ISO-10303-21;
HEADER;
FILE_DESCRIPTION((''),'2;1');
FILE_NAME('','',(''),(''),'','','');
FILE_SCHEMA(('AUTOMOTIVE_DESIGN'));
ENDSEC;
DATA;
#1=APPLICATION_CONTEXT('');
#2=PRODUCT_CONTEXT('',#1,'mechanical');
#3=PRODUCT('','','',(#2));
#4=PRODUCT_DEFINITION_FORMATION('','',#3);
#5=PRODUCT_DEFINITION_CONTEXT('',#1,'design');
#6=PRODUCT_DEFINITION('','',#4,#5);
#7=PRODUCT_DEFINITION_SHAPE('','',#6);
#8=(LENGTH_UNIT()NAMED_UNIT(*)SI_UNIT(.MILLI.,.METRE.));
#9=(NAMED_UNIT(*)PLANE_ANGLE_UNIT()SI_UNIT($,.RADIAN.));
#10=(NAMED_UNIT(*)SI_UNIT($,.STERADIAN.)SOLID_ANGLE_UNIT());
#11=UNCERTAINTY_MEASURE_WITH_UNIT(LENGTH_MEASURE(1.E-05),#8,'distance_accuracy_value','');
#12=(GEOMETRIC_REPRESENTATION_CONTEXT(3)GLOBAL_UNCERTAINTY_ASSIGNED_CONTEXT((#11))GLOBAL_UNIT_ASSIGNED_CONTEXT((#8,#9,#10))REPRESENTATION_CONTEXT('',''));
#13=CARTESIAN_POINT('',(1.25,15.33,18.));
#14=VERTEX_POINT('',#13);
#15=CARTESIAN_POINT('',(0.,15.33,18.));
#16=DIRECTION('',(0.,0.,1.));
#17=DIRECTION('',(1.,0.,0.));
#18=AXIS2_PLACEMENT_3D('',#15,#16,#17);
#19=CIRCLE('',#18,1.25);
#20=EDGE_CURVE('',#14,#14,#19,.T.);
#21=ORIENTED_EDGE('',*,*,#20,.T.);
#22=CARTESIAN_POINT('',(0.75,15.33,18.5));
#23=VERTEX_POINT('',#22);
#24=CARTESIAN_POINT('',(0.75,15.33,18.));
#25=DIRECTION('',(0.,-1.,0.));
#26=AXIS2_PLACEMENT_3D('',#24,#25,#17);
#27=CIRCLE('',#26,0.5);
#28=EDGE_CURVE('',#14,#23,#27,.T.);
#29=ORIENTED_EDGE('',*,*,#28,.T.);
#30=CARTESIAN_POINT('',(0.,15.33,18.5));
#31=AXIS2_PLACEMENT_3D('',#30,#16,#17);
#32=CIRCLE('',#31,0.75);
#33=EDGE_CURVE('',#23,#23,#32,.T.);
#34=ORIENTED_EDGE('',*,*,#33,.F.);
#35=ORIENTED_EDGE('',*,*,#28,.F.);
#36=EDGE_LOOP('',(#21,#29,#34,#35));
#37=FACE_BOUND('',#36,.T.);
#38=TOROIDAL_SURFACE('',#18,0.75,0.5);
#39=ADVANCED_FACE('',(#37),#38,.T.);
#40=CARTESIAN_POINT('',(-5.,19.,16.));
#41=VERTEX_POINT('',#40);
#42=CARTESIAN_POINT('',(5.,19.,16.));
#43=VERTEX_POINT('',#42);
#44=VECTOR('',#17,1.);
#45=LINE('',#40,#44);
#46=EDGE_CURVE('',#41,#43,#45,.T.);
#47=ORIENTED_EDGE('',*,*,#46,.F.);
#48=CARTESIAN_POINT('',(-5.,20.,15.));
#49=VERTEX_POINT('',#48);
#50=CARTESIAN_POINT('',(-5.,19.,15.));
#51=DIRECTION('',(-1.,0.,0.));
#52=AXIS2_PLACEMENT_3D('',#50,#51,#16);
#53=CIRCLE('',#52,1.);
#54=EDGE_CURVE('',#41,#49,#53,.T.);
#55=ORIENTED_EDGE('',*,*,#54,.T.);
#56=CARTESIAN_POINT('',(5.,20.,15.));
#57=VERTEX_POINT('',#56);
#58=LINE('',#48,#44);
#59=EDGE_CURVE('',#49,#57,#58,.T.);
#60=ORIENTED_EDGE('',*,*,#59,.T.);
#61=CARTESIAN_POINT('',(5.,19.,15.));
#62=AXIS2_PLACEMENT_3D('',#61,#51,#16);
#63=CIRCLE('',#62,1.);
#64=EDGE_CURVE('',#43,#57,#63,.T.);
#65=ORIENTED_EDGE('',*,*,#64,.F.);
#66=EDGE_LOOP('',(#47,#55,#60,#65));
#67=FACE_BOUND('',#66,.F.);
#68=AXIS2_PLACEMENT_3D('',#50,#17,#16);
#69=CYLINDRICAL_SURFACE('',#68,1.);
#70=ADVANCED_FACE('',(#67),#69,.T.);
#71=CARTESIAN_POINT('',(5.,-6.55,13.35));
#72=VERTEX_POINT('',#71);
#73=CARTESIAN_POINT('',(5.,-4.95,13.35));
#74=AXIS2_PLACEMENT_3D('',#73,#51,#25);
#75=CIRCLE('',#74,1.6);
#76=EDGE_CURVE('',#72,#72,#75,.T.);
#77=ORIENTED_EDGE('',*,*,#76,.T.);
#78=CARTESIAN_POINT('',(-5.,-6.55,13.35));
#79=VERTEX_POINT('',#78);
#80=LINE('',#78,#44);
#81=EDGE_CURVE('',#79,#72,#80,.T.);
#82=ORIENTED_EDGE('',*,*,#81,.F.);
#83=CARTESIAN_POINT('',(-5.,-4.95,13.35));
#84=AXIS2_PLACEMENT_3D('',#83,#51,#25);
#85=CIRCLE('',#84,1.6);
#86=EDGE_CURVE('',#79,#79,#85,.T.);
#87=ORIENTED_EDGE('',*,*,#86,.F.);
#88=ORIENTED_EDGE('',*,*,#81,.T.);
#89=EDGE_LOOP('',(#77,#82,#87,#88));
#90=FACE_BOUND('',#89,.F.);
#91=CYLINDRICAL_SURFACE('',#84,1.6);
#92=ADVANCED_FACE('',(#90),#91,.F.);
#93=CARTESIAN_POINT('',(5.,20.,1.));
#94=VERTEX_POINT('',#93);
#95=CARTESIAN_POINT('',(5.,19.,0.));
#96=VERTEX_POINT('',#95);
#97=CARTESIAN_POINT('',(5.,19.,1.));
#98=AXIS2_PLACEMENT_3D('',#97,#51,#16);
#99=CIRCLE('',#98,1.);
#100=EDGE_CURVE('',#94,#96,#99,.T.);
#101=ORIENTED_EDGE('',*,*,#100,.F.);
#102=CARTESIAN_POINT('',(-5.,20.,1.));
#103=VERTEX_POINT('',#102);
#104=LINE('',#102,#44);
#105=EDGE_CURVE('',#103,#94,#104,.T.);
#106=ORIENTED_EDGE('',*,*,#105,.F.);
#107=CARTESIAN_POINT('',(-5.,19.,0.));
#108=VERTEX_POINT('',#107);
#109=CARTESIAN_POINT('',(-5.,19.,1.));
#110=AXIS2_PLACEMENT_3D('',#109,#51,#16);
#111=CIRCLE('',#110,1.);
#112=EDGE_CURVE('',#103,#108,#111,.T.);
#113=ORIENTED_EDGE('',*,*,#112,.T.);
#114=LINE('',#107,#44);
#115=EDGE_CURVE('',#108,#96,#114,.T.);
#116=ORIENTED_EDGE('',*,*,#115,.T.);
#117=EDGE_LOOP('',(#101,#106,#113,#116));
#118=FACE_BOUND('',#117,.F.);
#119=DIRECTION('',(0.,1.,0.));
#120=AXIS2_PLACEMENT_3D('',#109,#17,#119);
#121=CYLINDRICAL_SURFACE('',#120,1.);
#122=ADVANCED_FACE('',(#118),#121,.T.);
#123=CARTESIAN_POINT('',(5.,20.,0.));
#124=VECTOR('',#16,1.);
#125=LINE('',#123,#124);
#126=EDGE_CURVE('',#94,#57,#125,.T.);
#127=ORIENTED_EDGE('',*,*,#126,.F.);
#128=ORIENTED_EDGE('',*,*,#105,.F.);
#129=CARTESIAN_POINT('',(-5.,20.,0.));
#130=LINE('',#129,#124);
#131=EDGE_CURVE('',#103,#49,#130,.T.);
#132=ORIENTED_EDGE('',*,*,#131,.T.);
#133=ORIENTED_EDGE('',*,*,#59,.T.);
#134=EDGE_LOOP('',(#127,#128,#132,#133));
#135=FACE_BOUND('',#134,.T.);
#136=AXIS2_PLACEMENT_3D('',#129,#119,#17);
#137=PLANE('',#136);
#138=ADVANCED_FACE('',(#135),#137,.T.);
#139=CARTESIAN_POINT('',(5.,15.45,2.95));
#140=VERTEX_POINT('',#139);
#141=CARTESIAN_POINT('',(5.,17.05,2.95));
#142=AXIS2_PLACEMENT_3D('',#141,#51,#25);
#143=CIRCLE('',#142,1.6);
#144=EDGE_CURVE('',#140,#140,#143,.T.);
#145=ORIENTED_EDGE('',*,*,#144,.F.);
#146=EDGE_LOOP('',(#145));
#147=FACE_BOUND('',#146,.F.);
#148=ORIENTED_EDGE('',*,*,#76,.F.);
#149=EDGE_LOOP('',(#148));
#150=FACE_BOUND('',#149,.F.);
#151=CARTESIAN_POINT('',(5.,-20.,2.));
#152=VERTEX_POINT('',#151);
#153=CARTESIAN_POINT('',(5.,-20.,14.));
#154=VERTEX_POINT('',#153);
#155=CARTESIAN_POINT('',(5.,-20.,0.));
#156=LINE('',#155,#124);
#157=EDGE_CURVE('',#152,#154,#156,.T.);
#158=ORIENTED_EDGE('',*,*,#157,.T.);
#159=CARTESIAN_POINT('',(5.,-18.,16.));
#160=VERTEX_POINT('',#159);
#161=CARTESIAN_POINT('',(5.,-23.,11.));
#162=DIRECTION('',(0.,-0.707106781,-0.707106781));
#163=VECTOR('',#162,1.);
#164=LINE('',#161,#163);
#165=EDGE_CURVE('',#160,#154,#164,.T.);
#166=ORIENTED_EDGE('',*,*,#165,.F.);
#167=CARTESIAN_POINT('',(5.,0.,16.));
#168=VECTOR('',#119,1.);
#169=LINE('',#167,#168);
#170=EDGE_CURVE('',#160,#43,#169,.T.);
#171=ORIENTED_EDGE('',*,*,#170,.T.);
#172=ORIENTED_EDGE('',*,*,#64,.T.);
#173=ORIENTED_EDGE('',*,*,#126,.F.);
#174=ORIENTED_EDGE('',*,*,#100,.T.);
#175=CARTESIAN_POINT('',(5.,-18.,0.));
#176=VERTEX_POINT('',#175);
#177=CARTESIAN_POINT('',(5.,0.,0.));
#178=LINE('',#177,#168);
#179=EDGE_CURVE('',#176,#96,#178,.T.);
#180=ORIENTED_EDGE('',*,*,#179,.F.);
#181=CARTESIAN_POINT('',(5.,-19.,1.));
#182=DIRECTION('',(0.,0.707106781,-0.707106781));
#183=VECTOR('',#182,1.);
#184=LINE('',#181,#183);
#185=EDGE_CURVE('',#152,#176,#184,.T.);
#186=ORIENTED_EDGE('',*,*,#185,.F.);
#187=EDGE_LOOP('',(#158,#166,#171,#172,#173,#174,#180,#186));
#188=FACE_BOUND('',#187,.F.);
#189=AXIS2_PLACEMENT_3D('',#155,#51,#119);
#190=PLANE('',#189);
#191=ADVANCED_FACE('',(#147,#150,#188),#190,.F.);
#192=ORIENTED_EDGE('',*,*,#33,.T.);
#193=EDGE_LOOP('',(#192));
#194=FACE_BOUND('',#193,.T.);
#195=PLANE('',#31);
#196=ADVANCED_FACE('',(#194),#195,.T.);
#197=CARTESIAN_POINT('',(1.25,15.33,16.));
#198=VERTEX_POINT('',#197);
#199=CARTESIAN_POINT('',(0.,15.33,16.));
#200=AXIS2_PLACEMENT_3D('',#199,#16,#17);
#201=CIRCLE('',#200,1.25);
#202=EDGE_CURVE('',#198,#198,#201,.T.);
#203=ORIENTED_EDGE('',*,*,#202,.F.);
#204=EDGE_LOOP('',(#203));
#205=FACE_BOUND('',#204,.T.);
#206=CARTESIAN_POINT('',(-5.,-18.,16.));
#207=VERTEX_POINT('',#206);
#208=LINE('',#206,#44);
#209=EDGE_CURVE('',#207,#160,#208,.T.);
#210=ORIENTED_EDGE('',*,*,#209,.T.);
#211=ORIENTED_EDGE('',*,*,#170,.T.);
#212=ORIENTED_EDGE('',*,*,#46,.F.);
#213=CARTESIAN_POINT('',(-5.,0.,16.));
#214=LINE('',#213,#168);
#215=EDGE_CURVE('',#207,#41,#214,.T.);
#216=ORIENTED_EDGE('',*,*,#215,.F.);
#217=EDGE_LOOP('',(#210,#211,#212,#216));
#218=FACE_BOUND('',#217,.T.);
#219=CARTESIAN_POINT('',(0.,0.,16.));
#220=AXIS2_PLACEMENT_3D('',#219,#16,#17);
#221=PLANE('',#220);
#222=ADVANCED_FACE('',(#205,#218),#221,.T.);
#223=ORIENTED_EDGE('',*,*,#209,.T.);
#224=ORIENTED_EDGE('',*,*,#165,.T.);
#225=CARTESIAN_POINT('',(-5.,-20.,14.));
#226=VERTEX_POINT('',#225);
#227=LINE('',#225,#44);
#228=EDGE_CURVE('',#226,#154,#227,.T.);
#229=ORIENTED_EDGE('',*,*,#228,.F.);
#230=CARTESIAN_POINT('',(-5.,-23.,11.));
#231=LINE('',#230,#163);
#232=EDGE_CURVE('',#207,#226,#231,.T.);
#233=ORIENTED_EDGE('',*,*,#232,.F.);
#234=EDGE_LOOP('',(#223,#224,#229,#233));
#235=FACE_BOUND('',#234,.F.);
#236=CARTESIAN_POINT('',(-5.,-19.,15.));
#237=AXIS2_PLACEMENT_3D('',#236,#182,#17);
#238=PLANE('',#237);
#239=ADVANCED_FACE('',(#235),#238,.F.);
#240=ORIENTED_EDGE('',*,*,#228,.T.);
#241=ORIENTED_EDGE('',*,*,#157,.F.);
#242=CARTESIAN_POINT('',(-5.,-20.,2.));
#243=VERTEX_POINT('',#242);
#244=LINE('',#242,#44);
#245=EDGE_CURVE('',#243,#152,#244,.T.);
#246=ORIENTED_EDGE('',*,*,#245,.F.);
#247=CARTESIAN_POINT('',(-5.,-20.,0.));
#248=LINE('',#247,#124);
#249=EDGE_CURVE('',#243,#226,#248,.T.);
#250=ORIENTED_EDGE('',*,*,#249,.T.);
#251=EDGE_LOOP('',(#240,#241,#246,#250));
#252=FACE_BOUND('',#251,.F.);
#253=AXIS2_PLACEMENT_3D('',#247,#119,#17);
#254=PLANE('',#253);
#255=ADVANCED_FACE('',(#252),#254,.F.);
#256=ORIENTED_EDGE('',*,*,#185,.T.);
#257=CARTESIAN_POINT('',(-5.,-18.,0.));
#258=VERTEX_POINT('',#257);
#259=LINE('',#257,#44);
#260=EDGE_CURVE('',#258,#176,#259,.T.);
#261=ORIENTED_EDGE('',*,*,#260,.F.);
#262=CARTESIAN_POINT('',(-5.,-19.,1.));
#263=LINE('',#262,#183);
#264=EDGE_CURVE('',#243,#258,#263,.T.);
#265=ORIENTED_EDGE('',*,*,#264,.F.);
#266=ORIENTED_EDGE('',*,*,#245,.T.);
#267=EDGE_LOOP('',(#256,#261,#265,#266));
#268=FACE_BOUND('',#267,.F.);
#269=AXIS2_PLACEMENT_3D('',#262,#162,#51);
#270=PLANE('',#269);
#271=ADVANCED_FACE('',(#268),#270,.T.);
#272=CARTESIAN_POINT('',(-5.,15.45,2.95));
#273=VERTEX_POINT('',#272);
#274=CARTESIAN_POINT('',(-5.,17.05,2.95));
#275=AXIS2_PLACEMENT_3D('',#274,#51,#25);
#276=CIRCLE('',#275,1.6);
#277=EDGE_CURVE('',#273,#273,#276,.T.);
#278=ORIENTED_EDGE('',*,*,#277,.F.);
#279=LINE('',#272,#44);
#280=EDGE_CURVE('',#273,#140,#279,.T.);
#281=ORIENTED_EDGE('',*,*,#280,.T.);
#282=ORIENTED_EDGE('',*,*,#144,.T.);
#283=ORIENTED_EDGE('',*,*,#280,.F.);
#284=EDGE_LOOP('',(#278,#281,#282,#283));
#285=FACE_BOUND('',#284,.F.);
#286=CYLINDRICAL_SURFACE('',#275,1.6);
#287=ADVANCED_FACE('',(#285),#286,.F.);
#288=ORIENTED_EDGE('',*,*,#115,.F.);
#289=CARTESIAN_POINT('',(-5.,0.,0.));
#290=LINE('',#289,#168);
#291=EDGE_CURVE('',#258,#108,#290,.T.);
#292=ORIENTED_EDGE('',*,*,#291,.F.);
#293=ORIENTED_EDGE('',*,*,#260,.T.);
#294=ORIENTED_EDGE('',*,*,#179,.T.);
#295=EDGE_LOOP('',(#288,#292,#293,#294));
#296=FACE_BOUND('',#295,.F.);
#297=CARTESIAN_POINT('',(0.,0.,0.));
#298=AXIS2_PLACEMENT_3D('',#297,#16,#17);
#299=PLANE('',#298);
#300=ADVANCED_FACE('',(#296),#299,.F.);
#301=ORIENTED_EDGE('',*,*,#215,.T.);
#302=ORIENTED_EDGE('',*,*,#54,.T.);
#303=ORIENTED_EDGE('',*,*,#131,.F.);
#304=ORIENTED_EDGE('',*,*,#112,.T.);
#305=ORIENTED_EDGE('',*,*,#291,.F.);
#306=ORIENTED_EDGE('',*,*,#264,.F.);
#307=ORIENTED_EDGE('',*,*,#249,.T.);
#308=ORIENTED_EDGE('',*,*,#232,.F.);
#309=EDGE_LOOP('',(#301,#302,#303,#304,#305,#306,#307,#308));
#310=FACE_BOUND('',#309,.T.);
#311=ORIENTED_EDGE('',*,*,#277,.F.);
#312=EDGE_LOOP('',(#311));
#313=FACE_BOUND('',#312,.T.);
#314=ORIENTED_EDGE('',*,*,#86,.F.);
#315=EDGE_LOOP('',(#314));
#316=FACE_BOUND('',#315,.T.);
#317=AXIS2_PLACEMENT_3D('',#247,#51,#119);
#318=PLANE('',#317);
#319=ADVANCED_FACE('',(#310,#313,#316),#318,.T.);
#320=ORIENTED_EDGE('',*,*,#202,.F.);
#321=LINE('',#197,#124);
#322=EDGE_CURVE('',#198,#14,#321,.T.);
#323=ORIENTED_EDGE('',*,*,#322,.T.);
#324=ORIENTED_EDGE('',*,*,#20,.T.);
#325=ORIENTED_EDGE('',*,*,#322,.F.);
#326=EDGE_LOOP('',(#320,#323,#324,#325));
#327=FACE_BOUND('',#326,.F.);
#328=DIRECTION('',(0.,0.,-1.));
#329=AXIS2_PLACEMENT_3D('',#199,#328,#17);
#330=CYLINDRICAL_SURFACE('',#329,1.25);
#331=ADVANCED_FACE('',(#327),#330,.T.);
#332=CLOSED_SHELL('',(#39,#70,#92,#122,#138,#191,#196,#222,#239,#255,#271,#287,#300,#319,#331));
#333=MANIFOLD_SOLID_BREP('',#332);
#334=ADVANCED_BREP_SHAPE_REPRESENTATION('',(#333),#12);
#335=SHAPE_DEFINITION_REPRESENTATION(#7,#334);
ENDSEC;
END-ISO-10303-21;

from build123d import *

# Parameters (mm, degrees)
F0_W     = 10
F0_H     = 40
F1_DEPTH = 16
F3_R     = 1.25
F4_DEPTH = 2.5
F5_R     = 0.5
F6_R     = 1
F7_SIZE  = 2
F8_R     = 1.6
F9_DEPTH = 10.001


with BuildPart() as f1:
    # F0 (on Top) → F1 (new body)
    with BuildSketch(Plane.XY):
        Rectangle(F0_W, F0_H)
    extrude(amount=F1_DEPTH)

    # F3 (on face) → F4 (join)
    with BuildSketch(Plane.XY.offset(16)):
        with Locations((0, 15.33)):
            Circle(F3_R)
    extrude(amount=F4_DEPTH)

    # F5
    f5_edges = [f1.edges().sort_by_distance(p)[0] for p in [
        (-1.25, 15.33, 18.5),
    ]]
    fillet(f5_edges, radius=F5_R)

    # F6
    f6_edges = [f1.edges().sort_by_distance(p)[0] for p in [
        (0, 20, 16),
        (0, 20, 0),
    ]]
    fillet(f6_edges, radius=F6_R)

    # F7
    f7_edges = [f1.edges().sort_by_distance(p)[0] for p in [
        (0, -20, 0),
        (0, -20, 16),
    ]]
    chamfer(f7_edges, length=F7_SIZE)

    # F8 (on face) → F9 (cut, through all)
    with BuildSketch(Plane(origin=(-5, 0, 0), x_dir=(0, -1, 0), z_dir=(-1, 0, 0))):
        with Locations((-17.05, 2.95)):
            Circle(F8_R)
        with Locations((4.95, 13.35)):
            Circle(F8_R)
    extrude(amount=-F9_DEPTH, mode=Mode.SUBTRACT)


solid = f1.part
